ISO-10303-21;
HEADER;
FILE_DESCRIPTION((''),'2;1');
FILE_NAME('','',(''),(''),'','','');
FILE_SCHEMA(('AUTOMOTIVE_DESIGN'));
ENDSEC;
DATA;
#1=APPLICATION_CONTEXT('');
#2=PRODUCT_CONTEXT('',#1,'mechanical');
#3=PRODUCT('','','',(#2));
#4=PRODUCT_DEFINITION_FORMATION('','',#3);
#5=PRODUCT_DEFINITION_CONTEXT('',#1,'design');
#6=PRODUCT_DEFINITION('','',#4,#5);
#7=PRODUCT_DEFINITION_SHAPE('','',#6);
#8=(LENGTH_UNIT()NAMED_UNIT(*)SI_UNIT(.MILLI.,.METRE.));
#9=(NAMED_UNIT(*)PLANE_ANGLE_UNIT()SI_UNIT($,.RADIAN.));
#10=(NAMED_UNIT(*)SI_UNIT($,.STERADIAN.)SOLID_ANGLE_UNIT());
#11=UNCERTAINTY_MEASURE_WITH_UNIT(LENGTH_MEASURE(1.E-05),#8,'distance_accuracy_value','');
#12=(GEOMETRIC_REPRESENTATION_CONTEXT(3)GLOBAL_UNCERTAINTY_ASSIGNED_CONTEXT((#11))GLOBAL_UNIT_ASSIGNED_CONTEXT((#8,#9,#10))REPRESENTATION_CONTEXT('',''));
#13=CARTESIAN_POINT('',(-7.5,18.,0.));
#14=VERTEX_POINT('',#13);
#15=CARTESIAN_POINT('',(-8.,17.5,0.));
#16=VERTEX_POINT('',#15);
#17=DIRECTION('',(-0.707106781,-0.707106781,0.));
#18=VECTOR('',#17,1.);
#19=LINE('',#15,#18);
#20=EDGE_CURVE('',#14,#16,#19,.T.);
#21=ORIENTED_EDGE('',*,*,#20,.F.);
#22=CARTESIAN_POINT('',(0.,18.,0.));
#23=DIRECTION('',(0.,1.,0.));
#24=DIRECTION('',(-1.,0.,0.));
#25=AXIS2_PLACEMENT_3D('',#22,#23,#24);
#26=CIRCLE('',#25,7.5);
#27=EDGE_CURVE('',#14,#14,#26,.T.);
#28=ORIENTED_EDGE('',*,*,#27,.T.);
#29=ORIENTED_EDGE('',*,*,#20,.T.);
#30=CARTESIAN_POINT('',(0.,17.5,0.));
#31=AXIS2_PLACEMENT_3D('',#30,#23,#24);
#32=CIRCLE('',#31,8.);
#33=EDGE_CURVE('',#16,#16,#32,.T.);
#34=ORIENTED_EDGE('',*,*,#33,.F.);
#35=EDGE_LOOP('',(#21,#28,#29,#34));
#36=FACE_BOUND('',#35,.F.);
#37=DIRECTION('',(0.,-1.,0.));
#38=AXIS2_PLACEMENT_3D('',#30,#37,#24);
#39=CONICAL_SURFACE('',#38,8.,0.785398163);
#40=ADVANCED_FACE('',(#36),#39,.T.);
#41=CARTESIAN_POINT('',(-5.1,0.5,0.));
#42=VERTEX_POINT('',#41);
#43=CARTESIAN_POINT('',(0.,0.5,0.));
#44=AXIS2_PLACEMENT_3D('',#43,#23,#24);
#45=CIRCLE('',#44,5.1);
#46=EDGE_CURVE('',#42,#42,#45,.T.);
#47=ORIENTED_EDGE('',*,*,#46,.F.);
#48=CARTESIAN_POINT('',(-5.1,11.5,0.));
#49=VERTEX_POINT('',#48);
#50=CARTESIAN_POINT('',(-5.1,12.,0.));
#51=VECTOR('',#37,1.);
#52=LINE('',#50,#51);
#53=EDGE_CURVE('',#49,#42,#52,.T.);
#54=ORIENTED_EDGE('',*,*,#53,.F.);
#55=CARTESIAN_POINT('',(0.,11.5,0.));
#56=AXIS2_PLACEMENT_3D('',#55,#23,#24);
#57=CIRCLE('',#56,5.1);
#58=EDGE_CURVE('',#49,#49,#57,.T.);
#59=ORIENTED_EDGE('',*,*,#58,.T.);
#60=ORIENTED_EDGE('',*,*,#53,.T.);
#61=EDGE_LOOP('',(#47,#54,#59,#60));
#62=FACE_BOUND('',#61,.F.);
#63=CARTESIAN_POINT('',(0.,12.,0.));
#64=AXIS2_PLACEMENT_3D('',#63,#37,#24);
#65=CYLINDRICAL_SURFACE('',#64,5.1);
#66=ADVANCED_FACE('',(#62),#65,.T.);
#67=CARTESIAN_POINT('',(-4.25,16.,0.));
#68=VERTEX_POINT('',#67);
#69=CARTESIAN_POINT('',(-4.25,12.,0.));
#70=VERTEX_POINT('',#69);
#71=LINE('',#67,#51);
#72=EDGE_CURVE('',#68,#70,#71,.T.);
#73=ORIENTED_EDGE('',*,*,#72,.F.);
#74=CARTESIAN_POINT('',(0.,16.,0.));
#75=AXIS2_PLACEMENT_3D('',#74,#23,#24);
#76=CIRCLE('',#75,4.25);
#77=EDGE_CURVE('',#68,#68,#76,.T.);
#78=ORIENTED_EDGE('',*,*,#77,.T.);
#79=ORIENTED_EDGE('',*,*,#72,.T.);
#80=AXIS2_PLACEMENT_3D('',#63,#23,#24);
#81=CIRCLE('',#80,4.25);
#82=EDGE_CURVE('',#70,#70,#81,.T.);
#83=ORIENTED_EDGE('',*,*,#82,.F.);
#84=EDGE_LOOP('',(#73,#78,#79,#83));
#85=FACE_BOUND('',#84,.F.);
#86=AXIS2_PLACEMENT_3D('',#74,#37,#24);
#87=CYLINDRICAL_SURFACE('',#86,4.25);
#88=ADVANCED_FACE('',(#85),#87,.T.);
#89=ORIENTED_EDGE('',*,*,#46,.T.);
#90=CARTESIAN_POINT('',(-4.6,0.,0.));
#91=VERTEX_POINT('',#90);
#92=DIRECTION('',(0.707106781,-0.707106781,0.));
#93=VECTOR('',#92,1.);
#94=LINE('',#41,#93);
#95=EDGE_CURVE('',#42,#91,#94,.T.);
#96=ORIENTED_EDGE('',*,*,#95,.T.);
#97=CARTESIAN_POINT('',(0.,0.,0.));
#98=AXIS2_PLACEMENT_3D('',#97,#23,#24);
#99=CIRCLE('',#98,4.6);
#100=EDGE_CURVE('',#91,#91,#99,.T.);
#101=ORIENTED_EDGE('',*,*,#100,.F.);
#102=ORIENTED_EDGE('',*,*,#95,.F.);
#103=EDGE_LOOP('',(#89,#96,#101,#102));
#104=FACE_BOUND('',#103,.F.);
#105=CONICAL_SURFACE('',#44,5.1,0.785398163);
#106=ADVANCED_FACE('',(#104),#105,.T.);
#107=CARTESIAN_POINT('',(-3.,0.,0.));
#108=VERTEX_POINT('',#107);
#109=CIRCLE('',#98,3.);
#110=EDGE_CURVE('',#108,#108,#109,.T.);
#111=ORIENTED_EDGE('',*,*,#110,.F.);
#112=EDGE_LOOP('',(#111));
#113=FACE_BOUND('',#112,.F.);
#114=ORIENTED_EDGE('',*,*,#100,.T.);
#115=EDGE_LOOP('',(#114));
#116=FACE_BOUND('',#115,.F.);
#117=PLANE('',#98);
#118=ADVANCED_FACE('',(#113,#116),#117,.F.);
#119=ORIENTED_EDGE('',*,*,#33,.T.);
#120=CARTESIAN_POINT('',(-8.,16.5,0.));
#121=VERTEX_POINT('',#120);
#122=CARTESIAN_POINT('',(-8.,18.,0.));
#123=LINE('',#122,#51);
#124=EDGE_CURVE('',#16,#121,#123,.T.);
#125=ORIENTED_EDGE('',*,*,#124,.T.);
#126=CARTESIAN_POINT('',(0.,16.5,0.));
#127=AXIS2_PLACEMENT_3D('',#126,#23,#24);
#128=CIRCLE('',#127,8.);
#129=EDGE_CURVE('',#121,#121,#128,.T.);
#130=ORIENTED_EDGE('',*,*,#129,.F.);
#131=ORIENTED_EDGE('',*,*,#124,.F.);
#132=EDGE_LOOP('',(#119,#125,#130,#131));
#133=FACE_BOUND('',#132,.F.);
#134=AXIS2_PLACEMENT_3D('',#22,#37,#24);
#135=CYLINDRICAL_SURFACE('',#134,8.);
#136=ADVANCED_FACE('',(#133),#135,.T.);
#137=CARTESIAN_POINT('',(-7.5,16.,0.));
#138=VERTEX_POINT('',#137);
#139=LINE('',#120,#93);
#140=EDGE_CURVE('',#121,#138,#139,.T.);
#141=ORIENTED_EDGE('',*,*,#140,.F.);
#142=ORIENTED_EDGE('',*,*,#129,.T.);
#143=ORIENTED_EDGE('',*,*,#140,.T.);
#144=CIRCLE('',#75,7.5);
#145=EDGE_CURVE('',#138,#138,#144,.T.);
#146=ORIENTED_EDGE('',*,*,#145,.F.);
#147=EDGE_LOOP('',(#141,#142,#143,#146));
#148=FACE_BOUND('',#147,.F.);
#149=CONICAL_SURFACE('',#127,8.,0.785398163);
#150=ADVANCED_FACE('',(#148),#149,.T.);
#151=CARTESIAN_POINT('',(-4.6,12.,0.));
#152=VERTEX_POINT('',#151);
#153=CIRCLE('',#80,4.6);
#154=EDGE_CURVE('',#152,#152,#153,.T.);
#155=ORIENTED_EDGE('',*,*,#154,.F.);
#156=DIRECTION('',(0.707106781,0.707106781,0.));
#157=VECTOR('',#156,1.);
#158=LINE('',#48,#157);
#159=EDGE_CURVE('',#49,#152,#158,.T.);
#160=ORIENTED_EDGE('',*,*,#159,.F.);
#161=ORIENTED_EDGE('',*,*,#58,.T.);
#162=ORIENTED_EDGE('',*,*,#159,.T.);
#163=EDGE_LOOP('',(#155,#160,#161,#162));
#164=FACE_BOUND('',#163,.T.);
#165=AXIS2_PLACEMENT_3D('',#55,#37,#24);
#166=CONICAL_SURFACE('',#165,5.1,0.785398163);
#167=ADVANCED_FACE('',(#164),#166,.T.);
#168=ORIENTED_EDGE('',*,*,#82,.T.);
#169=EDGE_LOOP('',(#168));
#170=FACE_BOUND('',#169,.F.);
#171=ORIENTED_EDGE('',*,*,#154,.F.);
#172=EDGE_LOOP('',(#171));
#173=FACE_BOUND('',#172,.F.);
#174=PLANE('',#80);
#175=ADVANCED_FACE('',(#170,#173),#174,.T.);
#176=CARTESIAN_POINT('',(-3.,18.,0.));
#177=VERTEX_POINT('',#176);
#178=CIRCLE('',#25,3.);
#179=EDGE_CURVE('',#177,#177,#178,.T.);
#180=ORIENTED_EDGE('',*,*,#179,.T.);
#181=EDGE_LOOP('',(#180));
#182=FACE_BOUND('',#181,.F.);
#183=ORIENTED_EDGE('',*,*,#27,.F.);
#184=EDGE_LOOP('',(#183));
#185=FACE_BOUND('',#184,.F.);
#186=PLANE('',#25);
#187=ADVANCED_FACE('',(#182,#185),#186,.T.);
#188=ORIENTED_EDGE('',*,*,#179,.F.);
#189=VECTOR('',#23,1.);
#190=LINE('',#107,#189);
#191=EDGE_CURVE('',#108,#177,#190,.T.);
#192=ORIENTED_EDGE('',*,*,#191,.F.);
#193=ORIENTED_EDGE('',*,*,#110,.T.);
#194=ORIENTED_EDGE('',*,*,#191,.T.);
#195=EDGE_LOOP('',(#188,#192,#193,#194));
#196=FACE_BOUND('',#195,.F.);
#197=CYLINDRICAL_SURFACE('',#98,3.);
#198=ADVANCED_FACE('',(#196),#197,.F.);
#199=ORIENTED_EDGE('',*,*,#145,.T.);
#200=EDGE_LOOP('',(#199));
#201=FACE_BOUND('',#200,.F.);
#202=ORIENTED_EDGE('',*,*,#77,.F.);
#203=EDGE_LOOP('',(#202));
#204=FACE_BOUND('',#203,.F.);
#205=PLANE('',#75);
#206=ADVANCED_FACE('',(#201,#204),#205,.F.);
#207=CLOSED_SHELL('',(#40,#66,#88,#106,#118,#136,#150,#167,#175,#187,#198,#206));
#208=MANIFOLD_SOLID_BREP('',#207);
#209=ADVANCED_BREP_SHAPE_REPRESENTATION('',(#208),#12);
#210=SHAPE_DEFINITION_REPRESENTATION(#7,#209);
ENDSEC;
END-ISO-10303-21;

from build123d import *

# Parameters (mm, degrees)
F2_SIZE = 0.5


with BuildPart() as f1:
    # F0 (on Top) → F1 (revolve)
    with BuildSketch(Plane.XY):
        Polygon((-5.1, 12), (-5.1, 0), (-3, 0), (-3, 18), (-8, 18), (-8, 16), (-4.25, 16), (-4.25, 12), align=None)
    revolve(axis=Axis((0, 9, 0), (0, 1, 0)))

    # F2
    f2_edges = [f1.edges().sort_by_distance(p)[0] for p in [
        (8, 18, 0),
        (8, 16, 0),
        (-8, 17, 0),
        (5.1, 12, 0),
        (5.1, 0, 0),
        (-5.1, 6, 0),
    ]]
    chamfer(f2_edges, length=F2_SIZE)


solid = f1.part
